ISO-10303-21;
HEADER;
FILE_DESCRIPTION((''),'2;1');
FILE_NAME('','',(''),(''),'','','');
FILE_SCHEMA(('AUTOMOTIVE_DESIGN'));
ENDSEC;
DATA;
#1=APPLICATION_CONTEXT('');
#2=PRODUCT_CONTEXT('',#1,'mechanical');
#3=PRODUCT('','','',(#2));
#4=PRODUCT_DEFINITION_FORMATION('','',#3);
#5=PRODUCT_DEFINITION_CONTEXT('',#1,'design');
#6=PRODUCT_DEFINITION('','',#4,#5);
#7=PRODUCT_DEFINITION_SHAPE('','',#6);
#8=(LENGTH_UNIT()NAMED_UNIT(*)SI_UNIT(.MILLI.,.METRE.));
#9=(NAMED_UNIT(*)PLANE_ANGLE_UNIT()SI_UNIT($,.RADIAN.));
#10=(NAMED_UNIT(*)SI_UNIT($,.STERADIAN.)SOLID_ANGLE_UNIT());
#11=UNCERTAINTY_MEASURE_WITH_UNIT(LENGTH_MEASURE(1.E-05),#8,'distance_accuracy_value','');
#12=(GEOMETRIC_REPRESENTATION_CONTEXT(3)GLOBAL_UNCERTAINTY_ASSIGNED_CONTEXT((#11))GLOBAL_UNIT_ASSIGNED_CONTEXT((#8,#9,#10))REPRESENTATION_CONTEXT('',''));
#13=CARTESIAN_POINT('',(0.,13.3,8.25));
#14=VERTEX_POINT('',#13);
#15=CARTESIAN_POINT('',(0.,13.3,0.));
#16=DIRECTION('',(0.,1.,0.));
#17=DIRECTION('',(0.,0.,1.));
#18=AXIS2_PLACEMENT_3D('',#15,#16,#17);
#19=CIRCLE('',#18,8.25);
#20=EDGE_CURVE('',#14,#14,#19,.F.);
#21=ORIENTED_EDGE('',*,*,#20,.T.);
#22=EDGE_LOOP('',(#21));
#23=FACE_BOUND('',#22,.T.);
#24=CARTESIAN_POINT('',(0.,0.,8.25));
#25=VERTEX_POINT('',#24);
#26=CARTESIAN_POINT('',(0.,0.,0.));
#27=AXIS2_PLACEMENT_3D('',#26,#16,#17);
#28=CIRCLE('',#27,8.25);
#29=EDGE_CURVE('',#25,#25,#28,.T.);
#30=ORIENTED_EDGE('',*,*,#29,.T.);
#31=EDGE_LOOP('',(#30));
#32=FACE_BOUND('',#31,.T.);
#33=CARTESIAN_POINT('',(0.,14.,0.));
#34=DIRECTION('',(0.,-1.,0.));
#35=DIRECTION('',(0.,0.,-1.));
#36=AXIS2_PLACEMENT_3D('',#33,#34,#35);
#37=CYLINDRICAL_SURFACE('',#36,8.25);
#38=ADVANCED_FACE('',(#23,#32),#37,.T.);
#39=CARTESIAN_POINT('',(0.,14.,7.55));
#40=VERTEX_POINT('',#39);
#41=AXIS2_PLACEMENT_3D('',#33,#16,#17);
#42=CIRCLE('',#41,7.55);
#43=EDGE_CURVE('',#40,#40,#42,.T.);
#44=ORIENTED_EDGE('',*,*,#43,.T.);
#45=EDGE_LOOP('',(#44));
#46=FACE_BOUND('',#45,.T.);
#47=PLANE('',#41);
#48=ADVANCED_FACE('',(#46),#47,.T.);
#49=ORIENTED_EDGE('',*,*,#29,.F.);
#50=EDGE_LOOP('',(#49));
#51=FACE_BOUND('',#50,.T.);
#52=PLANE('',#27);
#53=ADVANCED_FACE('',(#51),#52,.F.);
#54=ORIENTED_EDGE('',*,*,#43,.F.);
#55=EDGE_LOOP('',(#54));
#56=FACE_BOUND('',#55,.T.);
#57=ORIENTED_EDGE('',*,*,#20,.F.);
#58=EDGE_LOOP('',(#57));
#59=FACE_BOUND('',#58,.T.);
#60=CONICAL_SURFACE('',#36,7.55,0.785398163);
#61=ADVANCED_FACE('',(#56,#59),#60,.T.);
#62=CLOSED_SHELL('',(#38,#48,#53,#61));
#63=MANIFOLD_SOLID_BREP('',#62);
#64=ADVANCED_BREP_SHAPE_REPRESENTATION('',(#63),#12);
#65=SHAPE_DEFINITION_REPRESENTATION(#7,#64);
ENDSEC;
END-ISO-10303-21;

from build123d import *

# Parameters (mm, degrees)
SKIZZE1_R                       = 8.25
AUFSATZ_LINEAR_AUSTRAGEN1_DEPTH = 14
FASE1_SIZE                      = 0.7


with BuildPart() as part:
    # Skizze1 → Aufsatz-Linear austragen1 (new body)
    with BuildSketch(Plane(origin=(0, 0, 0), x_dir=(1, 0, 0), z_dir=(0, 1, 0))):
        Circle(SKIZZE1_R)
    extrude(amount=AUFSATZ_LINEAR_AUSTRAGEN1_DEPTH)

    # Fase1
    fase1_edges = [part.edges().sort_by_distance(p)[0] for p in [
        (-8.25, 14, 0),
    ]]
    chamfer(fase1_edges, length=FASE1_SIZE)


solid = part.part
